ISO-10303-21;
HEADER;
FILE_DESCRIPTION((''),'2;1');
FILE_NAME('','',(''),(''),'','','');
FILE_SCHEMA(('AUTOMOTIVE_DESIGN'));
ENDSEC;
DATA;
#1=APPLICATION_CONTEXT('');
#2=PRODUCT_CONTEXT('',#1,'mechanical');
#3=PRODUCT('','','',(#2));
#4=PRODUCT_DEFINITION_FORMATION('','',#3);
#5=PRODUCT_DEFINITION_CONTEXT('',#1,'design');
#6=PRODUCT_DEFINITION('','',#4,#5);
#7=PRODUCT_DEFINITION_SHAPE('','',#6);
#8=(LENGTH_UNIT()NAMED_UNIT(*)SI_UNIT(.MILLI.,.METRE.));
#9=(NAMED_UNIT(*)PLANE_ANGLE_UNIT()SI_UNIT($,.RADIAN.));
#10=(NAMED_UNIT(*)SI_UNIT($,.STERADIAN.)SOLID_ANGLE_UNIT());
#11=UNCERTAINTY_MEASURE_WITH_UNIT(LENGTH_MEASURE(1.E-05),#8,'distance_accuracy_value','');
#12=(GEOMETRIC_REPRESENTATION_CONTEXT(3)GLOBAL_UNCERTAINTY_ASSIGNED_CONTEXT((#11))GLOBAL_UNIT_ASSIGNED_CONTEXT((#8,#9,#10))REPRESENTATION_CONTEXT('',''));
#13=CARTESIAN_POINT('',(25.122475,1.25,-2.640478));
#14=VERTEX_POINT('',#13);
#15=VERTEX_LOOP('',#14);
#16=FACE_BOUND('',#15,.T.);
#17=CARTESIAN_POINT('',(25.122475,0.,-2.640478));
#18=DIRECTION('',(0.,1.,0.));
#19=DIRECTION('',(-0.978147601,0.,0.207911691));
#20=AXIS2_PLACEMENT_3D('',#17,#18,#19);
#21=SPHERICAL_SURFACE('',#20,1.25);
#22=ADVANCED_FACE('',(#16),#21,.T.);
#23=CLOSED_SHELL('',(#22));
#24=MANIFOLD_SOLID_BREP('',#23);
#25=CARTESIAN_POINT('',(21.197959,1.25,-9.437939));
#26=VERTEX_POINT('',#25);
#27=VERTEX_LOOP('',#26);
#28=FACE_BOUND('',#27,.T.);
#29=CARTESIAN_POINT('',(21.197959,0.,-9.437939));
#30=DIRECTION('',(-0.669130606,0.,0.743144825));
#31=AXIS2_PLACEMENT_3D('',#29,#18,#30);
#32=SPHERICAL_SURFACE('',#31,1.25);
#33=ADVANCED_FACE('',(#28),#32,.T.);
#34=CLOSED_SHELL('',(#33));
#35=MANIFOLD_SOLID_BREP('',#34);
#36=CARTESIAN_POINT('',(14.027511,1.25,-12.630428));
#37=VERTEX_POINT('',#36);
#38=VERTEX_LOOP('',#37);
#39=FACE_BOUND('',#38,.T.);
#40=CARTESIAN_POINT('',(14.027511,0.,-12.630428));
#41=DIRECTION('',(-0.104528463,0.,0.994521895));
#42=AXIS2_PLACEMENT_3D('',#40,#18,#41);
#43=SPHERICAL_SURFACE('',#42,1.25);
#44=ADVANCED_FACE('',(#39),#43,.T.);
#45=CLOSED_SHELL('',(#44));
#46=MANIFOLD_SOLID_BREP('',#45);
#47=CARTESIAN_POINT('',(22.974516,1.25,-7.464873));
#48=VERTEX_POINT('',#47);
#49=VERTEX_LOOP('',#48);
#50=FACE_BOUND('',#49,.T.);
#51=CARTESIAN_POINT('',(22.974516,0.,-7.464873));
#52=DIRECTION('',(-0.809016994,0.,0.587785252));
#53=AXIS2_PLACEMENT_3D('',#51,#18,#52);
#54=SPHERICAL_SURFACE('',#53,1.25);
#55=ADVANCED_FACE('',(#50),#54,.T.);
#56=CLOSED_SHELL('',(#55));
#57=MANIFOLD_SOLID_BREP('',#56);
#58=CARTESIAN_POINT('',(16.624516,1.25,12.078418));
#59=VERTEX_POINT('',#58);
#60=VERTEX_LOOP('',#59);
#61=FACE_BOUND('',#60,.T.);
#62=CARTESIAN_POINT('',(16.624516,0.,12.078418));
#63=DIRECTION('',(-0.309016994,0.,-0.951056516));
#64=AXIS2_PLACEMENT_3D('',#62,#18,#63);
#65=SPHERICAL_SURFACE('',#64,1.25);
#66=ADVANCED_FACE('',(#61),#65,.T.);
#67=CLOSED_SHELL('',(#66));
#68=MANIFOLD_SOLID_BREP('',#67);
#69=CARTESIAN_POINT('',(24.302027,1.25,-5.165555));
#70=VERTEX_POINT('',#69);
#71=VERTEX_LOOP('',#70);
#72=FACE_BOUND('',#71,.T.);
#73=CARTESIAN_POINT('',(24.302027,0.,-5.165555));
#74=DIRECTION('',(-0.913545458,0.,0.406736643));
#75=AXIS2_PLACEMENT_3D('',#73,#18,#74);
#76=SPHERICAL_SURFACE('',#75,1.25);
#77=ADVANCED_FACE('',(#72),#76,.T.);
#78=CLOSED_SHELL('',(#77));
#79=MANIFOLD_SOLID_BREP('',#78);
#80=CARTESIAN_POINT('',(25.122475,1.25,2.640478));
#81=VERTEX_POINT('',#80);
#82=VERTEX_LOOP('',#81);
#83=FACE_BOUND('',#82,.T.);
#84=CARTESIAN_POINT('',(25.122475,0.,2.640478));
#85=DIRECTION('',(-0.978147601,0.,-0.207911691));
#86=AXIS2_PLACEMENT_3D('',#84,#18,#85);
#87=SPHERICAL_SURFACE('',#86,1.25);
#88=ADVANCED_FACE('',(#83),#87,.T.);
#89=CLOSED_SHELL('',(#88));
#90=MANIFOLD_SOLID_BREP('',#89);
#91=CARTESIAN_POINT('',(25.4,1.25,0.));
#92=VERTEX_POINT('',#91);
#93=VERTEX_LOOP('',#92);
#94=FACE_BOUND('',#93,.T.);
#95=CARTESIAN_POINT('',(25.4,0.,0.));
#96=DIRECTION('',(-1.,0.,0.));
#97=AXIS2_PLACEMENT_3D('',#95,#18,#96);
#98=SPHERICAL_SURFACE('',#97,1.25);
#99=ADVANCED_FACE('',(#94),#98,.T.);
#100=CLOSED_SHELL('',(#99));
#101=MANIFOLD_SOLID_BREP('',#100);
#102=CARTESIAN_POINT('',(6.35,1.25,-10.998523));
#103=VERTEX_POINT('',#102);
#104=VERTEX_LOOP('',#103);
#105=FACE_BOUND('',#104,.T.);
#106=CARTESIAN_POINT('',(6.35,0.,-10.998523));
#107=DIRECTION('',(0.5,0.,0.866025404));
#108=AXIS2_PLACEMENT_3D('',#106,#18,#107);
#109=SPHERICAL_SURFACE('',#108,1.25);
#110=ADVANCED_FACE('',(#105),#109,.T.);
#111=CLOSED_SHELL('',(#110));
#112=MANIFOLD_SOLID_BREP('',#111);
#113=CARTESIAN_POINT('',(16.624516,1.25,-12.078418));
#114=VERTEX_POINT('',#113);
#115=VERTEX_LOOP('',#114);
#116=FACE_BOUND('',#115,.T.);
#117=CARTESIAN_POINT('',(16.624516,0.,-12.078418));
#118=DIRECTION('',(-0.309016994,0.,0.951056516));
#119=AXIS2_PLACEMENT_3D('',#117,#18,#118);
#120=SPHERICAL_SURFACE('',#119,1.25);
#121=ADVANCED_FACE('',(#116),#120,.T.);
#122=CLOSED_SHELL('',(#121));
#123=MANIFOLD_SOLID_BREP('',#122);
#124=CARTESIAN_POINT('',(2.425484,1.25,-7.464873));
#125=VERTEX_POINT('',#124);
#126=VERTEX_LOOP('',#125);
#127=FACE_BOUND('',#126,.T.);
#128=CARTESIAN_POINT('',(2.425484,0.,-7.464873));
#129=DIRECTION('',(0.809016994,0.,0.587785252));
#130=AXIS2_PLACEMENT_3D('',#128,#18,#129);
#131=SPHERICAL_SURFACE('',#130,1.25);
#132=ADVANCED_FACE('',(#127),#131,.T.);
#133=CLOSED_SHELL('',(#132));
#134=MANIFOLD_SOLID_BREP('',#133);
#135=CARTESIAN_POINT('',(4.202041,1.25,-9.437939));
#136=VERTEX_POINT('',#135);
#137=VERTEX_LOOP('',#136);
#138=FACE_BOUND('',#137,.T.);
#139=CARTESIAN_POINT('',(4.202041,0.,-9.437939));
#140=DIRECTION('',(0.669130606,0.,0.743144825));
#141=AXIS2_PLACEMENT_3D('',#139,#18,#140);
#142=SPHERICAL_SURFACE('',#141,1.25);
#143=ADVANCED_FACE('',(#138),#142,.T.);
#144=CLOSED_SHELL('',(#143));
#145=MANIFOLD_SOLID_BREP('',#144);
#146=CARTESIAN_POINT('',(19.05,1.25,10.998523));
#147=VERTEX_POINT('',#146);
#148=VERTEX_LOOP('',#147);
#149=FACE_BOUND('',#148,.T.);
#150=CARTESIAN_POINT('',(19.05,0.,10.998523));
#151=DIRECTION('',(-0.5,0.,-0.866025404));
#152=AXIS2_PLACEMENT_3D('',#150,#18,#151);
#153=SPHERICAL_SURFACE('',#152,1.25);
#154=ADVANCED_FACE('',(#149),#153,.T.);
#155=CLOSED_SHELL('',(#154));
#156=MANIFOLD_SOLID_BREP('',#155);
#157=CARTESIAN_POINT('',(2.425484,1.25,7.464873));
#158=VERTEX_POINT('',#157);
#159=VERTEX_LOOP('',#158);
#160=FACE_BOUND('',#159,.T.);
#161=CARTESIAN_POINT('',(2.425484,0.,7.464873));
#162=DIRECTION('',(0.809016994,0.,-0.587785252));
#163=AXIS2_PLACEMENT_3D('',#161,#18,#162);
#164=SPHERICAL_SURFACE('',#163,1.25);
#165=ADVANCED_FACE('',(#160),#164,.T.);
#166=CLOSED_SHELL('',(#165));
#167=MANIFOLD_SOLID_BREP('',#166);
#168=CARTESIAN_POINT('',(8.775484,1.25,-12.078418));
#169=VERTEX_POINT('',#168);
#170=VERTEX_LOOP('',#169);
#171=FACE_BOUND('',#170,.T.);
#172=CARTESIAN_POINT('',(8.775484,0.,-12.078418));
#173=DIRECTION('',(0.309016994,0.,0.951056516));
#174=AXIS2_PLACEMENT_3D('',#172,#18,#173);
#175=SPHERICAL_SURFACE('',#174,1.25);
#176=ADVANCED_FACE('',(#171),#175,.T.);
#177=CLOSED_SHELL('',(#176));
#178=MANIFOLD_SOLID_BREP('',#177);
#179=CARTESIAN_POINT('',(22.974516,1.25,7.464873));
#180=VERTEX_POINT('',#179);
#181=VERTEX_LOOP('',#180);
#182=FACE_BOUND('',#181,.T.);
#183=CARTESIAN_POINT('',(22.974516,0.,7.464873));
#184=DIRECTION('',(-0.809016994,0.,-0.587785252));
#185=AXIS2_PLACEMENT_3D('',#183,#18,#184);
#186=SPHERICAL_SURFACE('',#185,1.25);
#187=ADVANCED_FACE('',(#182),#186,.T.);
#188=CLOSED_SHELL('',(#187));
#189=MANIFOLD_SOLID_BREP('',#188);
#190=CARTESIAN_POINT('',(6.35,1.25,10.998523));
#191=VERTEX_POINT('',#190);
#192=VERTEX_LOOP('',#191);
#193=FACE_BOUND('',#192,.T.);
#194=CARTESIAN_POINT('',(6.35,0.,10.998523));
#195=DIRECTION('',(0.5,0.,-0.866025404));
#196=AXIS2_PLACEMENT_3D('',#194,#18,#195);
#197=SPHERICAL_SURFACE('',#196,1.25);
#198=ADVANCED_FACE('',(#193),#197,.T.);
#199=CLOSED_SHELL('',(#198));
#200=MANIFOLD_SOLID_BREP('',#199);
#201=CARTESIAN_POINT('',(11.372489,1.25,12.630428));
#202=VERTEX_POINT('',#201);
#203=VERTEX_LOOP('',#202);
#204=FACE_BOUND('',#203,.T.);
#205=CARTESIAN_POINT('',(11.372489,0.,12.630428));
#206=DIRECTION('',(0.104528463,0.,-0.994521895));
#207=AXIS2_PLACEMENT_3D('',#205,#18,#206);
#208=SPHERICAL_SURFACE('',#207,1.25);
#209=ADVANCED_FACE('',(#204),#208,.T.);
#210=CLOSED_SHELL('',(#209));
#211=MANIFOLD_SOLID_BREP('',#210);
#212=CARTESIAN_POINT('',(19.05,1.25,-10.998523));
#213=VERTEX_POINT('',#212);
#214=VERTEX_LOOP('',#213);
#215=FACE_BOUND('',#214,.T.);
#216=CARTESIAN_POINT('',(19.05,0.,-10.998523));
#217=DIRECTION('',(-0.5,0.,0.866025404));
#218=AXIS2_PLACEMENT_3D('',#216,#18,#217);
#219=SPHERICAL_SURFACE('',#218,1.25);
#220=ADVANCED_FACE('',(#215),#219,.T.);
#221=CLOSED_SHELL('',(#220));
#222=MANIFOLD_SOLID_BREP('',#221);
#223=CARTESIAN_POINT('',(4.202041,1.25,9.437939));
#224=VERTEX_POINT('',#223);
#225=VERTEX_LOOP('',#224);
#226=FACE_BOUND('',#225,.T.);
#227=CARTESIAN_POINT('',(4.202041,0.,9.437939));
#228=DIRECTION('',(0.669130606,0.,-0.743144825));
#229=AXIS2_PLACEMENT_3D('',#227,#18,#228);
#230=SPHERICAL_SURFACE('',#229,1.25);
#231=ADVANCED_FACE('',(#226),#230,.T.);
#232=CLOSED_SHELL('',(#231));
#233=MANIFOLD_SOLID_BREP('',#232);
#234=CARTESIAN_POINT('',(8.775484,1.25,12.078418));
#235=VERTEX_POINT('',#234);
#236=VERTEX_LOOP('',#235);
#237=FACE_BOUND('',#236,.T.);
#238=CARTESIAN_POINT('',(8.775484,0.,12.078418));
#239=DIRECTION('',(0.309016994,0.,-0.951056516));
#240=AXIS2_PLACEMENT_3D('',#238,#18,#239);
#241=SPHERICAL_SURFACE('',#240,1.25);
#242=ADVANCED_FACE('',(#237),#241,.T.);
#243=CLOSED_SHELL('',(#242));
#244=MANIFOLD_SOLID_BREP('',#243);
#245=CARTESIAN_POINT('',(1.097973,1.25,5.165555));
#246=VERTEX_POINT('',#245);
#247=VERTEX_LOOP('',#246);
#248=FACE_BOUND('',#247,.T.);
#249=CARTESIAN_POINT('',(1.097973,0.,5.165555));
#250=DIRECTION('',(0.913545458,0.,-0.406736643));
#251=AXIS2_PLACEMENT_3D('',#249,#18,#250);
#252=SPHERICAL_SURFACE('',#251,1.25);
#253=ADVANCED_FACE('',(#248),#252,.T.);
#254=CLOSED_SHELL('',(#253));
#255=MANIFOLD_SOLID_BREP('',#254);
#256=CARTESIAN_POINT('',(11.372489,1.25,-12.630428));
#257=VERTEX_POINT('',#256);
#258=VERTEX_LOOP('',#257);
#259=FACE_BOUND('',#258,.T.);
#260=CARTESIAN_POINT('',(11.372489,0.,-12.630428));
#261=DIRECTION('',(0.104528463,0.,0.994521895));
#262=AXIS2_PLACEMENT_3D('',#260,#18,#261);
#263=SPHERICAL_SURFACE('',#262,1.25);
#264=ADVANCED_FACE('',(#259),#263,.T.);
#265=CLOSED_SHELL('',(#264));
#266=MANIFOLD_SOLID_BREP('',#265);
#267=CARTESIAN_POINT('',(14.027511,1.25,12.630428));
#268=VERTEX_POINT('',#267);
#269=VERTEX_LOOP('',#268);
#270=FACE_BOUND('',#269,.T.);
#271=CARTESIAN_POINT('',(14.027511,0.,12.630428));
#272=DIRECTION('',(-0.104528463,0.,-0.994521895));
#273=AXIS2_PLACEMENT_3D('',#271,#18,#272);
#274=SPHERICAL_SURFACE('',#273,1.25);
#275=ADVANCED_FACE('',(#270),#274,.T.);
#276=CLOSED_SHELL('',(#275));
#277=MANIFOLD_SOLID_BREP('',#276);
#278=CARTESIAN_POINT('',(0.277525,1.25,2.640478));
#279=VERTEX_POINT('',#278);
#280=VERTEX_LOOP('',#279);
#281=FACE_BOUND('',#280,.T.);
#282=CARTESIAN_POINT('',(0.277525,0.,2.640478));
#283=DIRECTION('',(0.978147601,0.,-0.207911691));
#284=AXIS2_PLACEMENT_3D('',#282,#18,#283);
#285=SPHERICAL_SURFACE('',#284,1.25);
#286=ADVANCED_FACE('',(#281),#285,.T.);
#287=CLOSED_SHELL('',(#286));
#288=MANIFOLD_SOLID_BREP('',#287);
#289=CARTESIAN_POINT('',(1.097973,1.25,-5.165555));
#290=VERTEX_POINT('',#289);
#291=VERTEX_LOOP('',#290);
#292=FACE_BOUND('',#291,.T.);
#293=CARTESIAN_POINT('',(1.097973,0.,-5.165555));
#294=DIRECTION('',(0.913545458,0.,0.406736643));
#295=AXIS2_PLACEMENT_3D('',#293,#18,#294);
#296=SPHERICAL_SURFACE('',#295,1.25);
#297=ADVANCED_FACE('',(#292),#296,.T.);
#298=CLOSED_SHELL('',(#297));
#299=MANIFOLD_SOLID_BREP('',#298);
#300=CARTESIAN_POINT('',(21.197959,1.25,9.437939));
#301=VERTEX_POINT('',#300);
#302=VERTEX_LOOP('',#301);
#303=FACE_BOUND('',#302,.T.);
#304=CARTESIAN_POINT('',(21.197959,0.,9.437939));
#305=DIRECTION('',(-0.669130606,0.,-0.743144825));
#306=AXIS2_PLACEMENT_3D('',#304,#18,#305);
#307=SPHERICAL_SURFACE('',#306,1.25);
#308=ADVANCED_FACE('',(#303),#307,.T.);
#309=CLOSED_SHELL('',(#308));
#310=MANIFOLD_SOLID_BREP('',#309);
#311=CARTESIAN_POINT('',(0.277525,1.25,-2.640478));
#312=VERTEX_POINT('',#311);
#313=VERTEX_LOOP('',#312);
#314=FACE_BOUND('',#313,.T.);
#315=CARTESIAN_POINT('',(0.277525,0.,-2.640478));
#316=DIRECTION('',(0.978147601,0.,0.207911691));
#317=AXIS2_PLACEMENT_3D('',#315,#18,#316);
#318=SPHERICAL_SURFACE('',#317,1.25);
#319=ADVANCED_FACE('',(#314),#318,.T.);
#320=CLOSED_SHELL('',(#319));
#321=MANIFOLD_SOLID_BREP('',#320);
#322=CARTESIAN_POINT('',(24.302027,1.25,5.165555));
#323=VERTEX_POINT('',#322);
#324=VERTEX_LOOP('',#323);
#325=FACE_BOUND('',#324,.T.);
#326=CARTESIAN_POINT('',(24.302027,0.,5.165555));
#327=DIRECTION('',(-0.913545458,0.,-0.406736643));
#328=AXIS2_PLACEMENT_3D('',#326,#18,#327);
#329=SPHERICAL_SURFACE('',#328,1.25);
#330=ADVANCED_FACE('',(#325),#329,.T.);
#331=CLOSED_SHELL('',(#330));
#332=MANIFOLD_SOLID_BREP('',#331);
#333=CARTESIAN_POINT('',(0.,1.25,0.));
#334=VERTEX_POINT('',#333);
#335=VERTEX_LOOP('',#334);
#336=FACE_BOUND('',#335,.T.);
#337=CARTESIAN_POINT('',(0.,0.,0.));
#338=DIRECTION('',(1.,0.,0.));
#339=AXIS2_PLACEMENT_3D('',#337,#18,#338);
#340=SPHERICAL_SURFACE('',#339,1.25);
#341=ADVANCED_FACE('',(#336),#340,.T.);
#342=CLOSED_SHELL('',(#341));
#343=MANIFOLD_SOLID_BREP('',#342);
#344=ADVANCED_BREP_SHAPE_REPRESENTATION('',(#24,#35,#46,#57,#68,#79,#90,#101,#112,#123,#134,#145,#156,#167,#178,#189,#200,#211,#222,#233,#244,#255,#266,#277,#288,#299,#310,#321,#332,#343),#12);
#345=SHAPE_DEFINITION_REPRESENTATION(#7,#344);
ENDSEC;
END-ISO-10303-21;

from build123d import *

# Parameters (mm, degrees)
CIRPATTERN2_COUNT = 30


with BuildPart() as part:
    # Sketch1 → Revolve1 (revolve)
    with BuildSketch(Plane.XY):
        with BuildLine():
            Line((0, 1.25), (0, -1.25))
            ThreePointArc((0, -1.25), (1.25, 0), (0, 1.25))
        make_face()
    revolve(axis=Axis((0, 1.25, 0), (0, -1, 0)))


with BuildPart() as cirpattern2_1:
    # CirPattern2: pattern copy
    add(part.part.rotate(Axis((12.7, 0, 0), (0, 1, 0)), 1 * 360 / CIRPATTERN2_COUNT))


with BuildPart() as cirpattern2_2:
    # CirPattern2: pattern copy
    add(part.part.rotate(Axis((12.7, 0, 0), (0, 1, 0)), 2 * 360 / CIRPATTERN2_COUNT))


with BuildPart() as cirpattern2_3:
    # CirPattern2: pattern copy
    add(part.part.rotate(Axis((12.7, 0, 0), (0, 1, 0)), 3 * 360 / CIRPATTERN2_COUNT))


with BuildPart() as cirpattern2_4:
    # CirPattern2: pattern copy
    add(part.part.rotate(Axis((12.7, 0, 0), (0, 1, 0)), 4 * 360 / CIRPATTERN2_COUNT))


with BuildPart() as cirpattern2_5:
    # CirPattern2: pattern copy
    add(part.part.rotate(Axis((12.7, 0, 0), (0, 1, 0)), 5 * 360 / CIRPATTERN2_COUNT))


with BuildPart() as cirpattern2_6:
    # CirPattern2: pattern copy
    add(part.part.rotate(Axis((12.7, 0, 0), (0, 1, 0)), 6 * 360 / CIRPATTERN2_COUNT))


with BuildPart() as cirpattern2_7:
    # CirPattern2: pattern copy
    add(part.part.rotate(Axis((12.7, 0, 0), (0, 1, 0)), 7 * 360 / CIRPATTERN2_COUNT))


with BuildPart() as cirpattern2_8:
    # CirPattern2: pattern copy
    add(part.part.rotate(Axis((12.7, 0, 0), (0, 1, 0)), 8 * 360 / CIRPATTERN2_COUNT))


with BuildPart() as cirpattern2_9:
    # CirPattern2: pattern copy
    add(part.part.rotate(Axis((12.7, 0, 0), (0, 1, 0)), 9 * 360 / CIRPATTERN2_COUNT))


with BuildPart() as cirpattern2_10:
    # CirPattern2: pattern copy
    add(part.part.rotate(Axis((12.7, 0, 0), (0, 1, 0)), 10 * 360 / CIRPATTERN2_COUNT))


with BuildPart() as cirpattern2_11:
    # CirPattern2: pattern copy
    add(part.part.rotate(Axis((12.7, 0, 0), (0, 1, 0)), 11 * 360 / CIRPATTERN2_COUNT))


with BuildPart() as cirpattern2_12:
    # CirPattern2: pattern copy
    add(part.part.rotate(Axis((12.7, 0, 0), (0, 1, 0)), 12 * 360 / CIRPATTERN2_COUNT))


with BuildPart() as cirpattern2_13:
    # CirPattern2: pattern copy
    add(part.part.rotate(Axis((12.7, 0, 0), (0, 1, 0)), 13 * 360 / CIRPATTERN2_COUNT))


with BuildPart() as cirpattern2_14:
    # CirPattern2: pattern copy
    add(part.part.rotate(Axis((12.7, 0, 0), (0, 1, 0)), 14 * 360 / CIRPATTERN2_COUNT))


with BuildPart() as cirpattern2_15:
    # CirPattern2: pattern copy
    add(part.part.rotate(Axis((12.7, 0, 0), (0, 1, 0)), 15 * 360 / CIRPATTERN2_COUNT))


with BuildPart() as cirpattern2_16:
    # CirPattern2: pattern copy
    add(part.part.rotate(Axis((12.7, 0, 0), (0, 1, 0)), 16 * 360 / CIRPATTERN2_COUNT))


with BuildPart() as cirpattern2_17:
    # CirPattern2: pattern copy
    add(part.part.rotate(Axis((12.7, 0, 0), (0, 1, 0)), 17 * 360 / CIRPATTERN2_COUNT))


with BuildPart() as cirpattern2_18:
    # CirPattern2: pattern copy
    add(part.part.rotate(Axis((12.7, 0, 0), (0, 1, 0)), 18 * 360 / CIRPATTERN2_COUNT))


with BuildPart() as cirpattern2_19:
    # CirPattern2: pattern copy
    add(part.part.rotate(Axis((12.7, 0, 0), (0, 1, 0)), 19 * 360 / CIRPATTERN2_COUNT))


with BuildPart() as cirpattern2_20:
    # CirPattern2: pattern copy
    add(part.part.rotate(Axis((12.7, 0, 0), (0, 1, 0)), 20 * 360 / CIRPATTERN2_COUNT))


with BuildPart() as cirpattern2_21:
    # CirPattern2: pattern copy
    add(part.part.rotate(Axis((12.7, 0, 0), (0, 1, 0)), 21 * 360 / CIRPATTERN2_COUNT))


with BuildPart() as cirpattern2_22:
    # CirPattern2: pattern copy
    add(part.part.rotate(Axis((12.7, 0, 0), (0, 1, 0)), 22 * 360 / CIRPATTERN2_COUNT))


with BuildPart() as cirpattern2_23:
    # CirPattern2: pattern copy
    add(part.part.rotate(Axis((12.7, 0, 0), (0, 1, 0)), 23 * 360 / CIRPATTERN2_COUNT))


with BuildPart() as cirpattern2_24:
    # CirPattern2: pattern copy
    add(part.part.rotate(Axis((12.7, 0, 0), (0, 1, 0)), 24 * 360 / CIRPATTERN2_COUNT))


with BuildPart() as cirpattern2_25:
    # CirPattern2: pattern copy
    add(part.part.rotate(Axis((12.7, 0, 0), (0, 1, 0)), 25 * 360 / CIRPATTERN2_COUNT))


with BuildPart() as cirpattern2_26:
    # CirPattern2: pattern copy
    add(part.part.rotate(Axis((12.7, 0, 0), (0, 1, 0)), 26 * 360 / CIRPATTERN2_COUNT))


with BuildPart() as cirpattern2_27:
    # CirPattern2: pattern copy
    add(part.part.rotate(Axis((12.7, 0, 0), (0, 1, 0)), 27 * 360 / CIRPATTERN2_COUNT))


with BuildPart() as cirpattern2_28:
    # CirPattern2: pattern copy
    add(part.part.rotate(Axis((12.7, 0, 0), (0, 1, 0)), 28 * 360 / CIRPATTERN2_COUNT))


with BuildPart() as cirpattern2_29:
    # CirPattern2: pattern copy
    add(part.part.rotate(Axis((12.7, 0, 0), (0, 1, 0)), 29 * 360 / CIRPATTERN2_COUNT))


solid = Compound([part.part, cirpattern2_1.part, cirpattern2_2.part, cirpattern2_3.part, cirpattern2_4.part, cirpattern2_5.part, cirpattern2_6.part, cirpattern2_7.part, cirpattern2_8.part, cirpattern2_9.part, cirpattern2_10.part, cirpattern2_11.part, cirpattern2_12.part, cirpattern2_13.part, cirpattern2_14.part, cirpattern2_15.part, cirpattern2_16.part, cirpattern2_17.part, cirpattern2_18.part, cirpattern2_19.part, cirpattern2_20.part, cirpattern2_21.part, cirpattern2_22.part, cirpattern2_23.part, cirpattern2_24.part, cirpattern2_25.part, cirpattern2_26.part, cirpattern2_27.part, cirpattern2_28.part, cirpattern2_29.part])
